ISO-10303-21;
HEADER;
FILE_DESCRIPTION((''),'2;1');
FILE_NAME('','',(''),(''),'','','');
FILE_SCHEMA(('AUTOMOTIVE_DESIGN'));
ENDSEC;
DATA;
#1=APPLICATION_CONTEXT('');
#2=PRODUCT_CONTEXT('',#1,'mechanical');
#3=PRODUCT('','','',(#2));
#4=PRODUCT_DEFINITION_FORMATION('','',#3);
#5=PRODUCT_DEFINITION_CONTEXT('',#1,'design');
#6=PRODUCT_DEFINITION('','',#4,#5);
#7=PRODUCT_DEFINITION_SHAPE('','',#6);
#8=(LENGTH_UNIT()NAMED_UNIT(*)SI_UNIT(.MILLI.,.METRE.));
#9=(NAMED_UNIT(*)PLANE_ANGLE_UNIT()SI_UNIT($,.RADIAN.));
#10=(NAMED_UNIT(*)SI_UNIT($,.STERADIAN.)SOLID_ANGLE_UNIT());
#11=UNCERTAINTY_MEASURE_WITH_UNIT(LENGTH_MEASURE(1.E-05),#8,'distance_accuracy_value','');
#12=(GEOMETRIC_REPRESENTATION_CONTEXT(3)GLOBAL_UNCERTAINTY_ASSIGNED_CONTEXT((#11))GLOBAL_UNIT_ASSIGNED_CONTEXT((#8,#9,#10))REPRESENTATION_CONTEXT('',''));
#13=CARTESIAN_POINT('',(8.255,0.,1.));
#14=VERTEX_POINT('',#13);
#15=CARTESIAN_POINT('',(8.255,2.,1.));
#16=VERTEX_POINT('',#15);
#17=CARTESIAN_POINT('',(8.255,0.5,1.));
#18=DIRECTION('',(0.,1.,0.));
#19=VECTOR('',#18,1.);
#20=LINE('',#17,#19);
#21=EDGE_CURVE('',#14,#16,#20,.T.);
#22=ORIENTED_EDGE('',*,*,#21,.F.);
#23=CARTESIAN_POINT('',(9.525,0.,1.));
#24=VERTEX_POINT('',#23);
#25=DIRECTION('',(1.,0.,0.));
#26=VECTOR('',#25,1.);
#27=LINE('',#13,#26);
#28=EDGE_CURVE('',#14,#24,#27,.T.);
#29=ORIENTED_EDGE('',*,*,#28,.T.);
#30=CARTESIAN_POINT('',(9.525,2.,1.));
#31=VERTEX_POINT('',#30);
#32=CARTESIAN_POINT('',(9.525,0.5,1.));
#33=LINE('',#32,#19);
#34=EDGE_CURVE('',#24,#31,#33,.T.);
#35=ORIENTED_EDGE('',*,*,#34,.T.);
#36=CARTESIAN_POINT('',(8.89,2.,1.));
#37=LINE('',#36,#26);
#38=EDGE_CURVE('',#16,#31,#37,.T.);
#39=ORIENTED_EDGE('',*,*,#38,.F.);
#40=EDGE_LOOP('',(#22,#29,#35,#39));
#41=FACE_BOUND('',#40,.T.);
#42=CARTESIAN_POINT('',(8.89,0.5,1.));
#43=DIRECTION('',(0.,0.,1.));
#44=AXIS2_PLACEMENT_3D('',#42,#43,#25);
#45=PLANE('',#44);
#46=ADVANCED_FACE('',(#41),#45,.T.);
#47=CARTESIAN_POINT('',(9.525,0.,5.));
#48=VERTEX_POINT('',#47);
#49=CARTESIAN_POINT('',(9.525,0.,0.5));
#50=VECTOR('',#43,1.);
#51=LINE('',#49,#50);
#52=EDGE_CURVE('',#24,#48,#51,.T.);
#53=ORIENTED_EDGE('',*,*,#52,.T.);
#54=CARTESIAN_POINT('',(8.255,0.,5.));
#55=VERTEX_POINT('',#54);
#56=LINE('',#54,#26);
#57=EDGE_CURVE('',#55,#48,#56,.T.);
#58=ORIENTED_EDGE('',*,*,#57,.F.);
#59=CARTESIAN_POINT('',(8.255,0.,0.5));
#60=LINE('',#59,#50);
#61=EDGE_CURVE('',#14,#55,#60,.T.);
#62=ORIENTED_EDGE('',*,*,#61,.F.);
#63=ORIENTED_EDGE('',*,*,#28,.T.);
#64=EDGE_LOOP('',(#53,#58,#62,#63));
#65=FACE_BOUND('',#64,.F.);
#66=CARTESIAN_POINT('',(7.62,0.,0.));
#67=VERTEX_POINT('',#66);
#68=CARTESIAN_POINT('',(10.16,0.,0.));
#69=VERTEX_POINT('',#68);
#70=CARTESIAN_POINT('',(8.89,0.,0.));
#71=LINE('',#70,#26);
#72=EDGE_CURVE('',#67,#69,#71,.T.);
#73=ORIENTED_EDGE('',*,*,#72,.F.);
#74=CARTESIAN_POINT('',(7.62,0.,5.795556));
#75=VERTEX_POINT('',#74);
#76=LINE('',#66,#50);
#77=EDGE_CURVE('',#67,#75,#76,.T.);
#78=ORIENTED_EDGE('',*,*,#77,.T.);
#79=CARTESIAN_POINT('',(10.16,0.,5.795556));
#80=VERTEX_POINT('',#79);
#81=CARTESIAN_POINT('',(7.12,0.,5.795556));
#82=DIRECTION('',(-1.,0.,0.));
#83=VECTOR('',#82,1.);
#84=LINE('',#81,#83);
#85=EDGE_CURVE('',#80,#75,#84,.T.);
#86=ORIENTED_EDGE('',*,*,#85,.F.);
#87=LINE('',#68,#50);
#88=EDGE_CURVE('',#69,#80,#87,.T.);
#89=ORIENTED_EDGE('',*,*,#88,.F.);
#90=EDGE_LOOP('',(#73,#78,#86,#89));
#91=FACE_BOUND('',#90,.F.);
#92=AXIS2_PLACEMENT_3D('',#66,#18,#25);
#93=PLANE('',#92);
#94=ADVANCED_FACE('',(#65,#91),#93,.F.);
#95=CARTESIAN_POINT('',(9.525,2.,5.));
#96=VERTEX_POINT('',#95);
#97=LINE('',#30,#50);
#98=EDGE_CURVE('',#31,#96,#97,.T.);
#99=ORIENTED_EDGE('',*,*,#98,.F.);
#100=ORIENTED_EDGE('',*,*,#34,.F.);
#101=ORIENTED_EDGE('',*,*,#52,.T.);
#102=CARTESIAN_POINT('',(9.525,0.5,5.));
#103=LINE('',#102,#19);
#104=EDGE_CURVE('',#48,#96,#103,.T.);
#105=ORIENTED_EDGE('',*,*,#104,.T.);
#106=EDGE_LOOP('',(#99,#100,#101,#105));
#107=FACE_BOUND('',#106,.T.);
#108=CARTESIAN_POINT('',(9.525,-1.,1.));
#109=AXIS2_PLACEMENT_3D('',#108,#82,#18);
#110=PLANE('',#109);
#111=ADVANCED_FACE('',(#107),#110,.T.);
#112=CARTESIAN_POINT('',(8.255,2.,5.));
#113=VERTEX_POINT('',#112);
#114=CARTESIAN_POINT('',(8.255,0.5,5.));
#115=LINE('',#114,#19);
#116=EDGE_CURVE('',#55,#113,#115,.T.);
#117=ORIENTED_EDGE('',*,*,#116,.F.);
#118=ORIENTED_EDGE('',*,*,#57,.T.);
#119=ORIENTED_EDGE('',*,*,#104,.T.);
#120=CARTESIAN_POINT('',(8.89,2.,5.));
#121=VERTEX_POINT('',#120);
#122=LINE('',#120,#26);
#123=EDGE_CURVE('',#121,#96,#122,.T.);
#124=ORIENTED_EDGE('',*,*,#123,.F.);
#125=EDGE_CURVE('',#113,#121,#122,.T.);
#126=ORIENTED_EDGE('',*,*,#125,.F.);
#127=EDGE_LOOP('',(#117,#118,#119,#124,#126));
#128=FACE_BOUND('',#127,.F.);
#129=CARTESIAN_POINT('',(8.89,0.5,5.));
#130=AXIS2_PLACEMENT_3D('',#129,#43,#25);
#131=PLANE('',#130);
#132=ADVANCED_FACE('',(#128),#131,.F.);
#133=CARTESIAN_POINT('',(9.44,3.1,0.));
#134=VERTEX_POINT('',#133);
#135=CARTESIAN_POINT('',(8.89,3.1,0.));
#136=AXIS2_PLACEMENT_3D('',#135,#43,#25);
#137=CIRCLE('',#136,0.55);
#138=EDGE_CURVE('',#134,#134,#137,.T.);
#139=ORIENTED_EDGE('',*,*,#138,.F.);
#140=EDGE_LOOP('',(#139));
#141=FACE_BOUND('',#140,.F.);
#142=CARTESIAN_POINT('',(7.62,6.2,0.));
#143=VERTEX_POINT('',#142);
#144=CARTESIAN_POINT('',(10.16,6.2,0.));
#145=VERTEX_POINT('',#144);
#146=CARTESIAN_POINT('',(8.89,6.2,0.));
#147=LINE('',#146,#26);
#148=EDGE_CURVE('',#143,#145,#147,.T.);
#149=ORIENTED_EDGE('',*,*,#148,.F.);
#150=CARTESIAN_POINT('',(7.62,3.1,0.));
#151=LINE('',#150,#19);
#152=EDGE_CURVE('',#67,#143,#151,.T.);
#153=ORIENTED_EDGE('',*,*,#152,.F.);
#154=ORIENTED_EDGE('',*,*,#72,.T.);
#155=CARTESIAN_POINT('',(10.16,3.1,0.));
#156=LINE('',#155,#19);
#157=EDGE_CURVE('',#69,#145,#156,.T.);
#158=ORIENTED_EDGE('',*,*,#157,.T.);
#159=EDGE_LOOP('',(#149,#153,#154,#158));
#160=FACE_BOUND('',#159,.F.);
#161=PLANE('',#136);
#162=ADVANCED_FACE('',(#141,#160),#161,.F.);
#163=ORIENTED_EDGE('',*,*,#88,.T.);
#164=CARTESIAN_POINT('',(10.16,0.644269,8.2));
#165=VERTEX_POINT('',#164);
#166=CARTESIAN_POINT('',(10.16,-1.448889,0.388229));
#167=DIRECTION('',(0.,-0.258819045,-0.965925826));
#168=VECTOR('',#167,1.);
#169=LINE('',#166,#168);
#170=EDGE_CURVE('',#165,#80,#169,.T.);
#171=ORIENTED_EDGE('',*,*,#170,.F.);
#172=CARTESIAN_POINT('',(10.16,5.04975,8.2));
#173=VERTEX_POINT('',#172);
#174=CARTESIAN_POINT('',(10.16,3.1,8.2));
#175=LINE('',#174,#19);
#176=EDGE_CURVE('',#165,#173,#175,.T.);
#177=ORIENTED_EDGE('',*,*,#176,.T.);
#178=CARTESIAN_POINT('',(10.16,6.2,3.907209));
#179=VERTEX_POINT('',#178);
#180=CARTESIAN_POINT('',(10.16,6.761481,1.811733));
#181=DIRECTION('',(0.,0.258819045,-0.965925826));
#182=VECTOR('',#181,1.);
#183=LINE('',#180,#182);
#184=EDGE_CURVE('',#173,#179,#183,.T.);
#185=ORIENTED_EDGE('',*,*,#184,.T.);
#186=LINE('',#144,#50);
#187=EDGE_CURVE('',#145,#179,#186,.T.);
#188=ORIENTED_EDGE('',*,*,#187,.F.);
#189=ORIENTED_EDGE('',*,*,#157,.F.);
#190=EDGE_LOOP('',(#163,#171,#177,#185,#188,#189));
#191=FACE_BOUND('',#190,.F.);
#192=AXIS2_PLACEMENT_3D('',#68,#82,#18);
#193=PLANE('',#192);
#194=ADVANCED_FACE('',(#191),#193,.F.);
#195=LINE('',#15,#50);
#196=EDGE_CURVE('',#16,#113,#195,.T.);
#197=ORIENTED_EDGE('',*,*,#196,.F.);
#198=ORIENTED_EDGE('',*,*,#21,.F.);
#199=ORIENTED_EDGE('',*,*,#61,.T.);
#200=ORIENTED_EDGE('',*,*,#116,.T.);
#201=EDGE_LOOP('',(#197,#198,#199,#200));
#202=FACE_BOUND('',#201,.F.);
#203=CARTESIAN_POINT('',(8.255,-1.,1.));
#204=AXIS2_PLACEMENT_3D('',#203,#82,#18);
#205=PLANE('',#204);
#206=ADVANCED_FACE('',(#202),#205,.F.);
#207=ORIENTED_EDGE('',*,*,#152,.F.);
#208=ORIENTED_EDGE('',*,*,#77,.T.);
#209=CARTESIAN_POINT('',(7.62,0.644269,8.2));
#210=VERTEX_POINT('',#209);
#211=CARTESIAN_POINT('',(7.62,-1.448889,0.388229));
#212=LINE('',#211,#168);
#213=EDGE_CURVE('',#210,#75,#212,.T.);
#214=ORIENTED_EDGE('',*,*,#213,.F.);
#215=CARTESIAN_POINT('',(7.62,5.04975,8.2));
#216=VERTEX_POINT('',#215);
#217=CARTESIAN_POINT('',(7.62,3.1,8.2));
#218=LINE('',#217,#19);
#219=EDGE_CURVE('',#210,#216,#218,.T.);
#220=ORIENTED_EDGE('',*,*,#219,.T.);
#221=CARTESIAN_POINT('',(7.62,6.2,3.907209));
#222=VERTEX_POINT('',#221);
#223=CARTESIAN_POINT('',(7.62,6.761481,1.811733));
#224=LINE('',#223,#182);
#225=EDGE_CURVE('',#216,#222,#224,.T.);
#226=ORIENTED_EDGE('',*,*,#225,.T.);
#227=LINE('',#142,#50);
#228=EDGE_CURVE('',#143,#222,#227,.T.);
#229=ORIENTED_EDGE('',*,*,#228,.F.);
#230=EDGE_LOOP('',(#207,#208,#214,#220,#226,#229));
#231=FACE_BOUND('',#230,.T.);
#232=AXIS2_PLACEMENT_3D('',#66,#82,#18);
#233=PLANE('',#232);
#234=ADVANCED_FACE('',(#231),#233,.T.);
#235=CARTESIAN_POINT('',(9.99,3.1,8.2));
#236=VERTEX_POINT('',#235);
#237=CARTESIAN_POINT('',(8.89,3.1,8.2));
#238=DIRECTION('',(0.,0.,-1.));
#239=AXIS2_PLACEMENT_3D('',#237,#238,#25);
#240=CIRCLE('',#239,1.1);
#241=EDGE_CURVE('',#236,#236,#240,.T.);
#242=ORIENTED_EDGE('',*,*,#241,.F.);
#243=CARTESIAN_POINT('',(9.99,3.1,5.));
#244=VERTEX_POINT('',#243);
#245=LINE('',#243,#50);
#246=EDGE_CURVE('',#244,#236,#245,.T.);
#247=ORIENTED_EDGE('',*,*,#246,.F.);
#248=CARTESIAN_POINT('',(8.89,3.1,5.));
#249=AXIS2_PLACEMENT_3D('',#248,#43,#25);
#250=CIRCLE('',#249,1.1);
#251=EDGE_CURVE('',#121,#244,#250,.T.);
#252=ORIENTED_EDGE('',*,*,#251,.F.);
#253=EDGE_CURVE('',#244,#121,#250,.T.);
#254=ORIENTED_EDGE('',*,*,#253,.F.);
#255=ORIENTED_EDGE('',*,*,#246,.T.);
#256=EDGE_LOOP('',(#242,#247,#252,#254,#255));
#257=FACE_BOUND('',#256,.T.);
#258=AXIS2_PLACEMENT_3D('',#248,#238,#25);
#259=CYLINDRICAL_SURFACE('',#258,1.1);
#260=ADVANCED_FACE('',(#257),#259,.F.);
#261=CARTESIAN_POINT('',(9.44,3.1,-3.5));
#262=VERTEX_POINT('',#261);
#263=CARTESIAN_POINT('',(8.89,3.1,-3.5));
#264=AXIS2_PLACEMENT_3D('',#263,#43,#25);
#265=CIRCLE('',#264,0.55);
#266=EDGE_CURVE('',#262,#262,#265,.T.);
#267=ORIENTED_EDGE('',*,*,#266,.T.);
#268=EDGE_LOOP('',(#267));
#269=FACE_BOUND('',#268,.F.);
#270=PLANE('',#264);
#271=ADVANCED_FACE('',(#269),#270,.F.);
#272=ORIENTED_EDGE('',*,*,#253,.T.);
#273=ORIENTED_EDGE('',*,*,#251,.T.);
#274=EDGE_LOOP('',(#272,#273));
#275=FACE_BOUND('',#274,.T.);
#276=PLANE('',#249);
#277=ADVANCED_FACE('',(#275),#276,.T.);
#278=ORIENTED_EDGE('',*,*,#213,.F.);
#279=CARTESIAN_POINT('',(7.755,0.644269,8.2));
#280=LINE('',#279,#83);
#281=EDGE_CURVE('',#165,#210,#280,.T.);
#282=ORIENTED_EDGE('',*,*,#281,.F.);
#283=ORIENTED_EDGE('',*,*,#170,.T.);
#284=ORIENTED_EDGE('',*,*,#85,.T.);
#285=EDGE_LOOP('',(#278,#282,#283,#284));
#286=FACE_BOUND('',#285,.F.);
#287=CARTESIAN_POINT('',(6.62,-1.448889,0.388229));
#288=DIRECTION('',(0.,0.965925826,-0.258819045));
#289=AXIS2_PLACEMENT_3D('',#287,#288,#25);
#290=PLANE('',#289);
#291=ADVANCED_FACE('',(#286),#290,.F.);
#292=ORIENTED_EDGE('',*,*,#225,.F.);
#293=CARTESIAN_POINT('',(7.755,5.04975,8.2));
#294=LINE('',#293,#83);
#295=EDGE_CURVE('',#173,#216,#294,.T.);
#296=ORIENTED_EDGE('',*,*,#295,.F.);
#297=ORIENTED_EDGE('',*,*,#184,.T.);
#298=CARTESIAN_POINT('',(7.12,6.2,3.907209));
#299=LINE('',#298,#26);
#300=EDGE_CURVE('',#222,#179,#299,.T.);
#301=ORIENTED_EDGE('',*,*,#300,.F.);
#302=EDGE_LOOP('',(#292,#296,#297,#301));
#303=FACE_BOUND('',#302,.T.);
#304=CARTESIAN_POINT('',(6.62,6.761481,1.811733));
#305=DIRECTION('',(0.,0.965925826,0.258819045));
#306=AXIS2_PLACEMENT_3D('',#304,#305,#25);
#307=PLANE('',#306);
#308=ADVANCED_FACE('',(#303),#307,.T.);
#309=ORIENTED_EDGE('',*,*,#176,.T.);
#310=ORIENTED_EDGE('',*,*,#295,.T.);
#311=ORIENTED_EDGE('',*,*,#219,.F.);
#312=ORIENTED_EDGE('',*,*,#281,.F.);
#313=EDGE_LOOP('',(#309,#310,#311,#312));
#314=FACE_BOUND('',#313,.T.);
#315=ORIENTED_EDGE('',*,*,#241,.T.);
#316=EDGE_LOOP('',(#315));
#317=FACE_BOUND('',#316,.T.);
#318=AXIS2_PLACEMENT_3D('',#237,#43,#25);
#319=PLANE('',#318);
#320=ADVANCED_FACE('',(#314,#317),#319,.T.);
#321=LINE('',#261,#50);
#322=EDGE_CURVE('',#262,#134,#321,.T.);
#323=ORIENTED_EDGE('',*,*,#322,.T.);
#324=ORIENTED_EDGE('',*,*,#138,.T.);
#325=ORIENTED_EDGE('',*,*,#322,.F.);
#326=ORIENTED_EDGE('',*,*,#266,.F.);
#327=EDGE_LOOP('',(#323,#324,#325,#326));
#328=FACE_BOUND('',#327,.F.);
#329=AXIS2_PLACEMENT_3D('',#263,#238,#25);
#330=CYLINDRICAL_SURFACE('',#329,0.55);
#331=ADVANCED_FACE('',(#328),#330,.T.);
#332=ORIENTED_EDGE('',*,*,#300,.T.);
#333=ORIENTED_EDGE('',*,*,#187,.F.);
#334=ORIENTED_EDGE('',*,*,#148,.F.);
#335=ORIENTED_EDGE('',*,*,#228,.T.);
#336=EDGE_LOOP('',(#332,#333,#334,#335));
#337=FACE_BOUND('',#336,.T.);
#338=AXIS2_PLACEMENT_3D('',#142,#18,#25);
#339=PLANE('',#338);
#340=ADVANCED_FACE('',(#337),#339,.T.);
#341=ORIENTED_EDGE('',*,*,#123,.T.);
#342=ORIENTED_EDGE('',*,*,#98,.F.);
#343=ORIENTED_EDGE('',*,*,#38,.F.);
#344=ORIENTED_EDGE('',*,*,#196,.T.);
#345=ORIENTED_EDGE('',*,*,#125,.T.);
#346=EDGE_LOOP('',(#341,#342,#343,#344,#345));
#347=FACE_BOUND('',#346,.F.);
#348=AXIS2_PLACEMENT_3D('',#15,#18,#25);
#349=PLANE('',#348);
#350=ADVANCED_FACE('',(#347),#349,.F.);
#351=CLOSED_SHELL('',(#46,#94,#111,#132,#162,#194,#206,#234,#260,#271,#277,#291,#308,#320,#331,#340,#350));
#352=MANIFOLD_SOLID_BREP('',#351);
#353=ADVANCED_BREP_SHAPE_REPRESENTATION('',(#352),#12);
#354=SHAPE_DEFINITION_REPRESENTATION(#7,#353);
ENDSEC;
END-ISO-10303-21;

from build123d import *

# Parameters (mm, degrees)
CYLINDER007_R           = 0.55
CYLINDER007_DEPTH       = 3.5
CYLINDER006_R           = 1.1
CYLINDER006_DEPTH       = 3.5
CUBE015_W               = 4
CUBE015_H               = 6
CUBE015_DEPTH           = 9
CUBE015_PLACEMENT_ANGLE = 15
CUBE014_W               = 4
CUBE014_H               = 6
CUBE014_DEPTH           = 8
CUBE014_PLACEMENT_ANGLE = 15
CUBE013_W               = 1.27
CUBE013_H               = 3
CUBE013_DEPTH           = 4
CUBE012_W               = 2.54
CUBE012_H               = 6.2
CUBE012_DEPTH           = 8.2


with BuildPart() as cylinder007:
    # cylinder007 → cylinder007 (new body)
    with BuildSketch(Plane(origin=(1.27, 3.1, -3.5), x_dir=(1, 0, 0), z_dir=(0, 0, 1))):
        Circle(CYLINDER007_R)
    extrude(amount=CYLINDER007_DEPTH)


with BuildPart() as cylinder006:
    # cylinder006 → cylinder006 (new body)
    with BuildSketch(Plane(origin=(1.27, 3.1, 5), x_dir=(1, 0, 0), z_dir=(0, 0, 1))):
        Circle(CYLINDER006_R)
    extrude(amount=CYLINDER006_DEPTH)


with BuildPart() as cube015:
    # cube015 → cube015 (new body)
    with BuildSketch(Plane.XY):
        with Locations((2, 3)):
            Rectangle(CUBE015_W, CUBE015_H)
    extrude(amount=CUBE015_DEPTH)


with BuildPart() as cube015_1:
    # cube015 placement: moved
    add(cube015.part.moved(Location((-1, -7.244444, 1.941143))).rotate(Axis((-1, -7.244444, 1.941143), (-1, 0, 0)), CUBE015_PLACEMENT_ANGLE))


with BuildPart() as cube014:
    # cube014 → cube014 (new body)
    with BuildSketch(Plane.XY):
        with Locations((2, 3)):
            Rectangle(CUBE014_W, CUBE014_H)
    extrude(amount=CUBE014_DEPTH)


with BuildPart() as cube014_1:
    # cube014 placement: moved
    add(cube014.part.moved(Location((-1, 6.761481, 1.811733))).rotate(Axis((-1, 6.761481, 1.811733), (1, 0, 0)), CUBE014_PLACEMENT_ANGLE))


with BuildPart() as cube013:
    # cube013 → cube013 (new body)
    with BuildSketch(Plane(origin=(0.635, -1, 1), x_dir=(1, 0, 0), z_dir=(0, 0, 1))):
        with Locations((0.635, 1.5)):
            Rectangle(CUBE013_W, CUBE013_H)
    extrude(amount=CUBE013_DEPTH)


with BuildPart() as group003:
    # cube012 → cube012 (new body)
    with BuildSketch(Plane.XY):
        with Locations((1.27, 3.1)):
            Rectangle(CUBE012_W, CUBE012_H)
    extrude(amount=CUBE012_DEPTH)

    # difference012: cut cube013
    add(cube013.part, mode=Mode.SUBTRACT)

    # difference013: cut cube014
    add(cube014_1.part, mode=Mode.SUBTRACT)

    # difference014: cut cube015
    add(cube015_1.part, mode=Mode.SUBTRACT)

    # difference015: cut cylinder006
    add(cylinder006.part, mode=Mode.SUBTRACT)

    # Group003: union cylinder007
    add(cylinder007.part)


with BuildPart() as group003_1:
    # Group003 placement: moved
    add(group003.part.moved(Location((7.62, 0, 0))))


solid = group003_1.part
